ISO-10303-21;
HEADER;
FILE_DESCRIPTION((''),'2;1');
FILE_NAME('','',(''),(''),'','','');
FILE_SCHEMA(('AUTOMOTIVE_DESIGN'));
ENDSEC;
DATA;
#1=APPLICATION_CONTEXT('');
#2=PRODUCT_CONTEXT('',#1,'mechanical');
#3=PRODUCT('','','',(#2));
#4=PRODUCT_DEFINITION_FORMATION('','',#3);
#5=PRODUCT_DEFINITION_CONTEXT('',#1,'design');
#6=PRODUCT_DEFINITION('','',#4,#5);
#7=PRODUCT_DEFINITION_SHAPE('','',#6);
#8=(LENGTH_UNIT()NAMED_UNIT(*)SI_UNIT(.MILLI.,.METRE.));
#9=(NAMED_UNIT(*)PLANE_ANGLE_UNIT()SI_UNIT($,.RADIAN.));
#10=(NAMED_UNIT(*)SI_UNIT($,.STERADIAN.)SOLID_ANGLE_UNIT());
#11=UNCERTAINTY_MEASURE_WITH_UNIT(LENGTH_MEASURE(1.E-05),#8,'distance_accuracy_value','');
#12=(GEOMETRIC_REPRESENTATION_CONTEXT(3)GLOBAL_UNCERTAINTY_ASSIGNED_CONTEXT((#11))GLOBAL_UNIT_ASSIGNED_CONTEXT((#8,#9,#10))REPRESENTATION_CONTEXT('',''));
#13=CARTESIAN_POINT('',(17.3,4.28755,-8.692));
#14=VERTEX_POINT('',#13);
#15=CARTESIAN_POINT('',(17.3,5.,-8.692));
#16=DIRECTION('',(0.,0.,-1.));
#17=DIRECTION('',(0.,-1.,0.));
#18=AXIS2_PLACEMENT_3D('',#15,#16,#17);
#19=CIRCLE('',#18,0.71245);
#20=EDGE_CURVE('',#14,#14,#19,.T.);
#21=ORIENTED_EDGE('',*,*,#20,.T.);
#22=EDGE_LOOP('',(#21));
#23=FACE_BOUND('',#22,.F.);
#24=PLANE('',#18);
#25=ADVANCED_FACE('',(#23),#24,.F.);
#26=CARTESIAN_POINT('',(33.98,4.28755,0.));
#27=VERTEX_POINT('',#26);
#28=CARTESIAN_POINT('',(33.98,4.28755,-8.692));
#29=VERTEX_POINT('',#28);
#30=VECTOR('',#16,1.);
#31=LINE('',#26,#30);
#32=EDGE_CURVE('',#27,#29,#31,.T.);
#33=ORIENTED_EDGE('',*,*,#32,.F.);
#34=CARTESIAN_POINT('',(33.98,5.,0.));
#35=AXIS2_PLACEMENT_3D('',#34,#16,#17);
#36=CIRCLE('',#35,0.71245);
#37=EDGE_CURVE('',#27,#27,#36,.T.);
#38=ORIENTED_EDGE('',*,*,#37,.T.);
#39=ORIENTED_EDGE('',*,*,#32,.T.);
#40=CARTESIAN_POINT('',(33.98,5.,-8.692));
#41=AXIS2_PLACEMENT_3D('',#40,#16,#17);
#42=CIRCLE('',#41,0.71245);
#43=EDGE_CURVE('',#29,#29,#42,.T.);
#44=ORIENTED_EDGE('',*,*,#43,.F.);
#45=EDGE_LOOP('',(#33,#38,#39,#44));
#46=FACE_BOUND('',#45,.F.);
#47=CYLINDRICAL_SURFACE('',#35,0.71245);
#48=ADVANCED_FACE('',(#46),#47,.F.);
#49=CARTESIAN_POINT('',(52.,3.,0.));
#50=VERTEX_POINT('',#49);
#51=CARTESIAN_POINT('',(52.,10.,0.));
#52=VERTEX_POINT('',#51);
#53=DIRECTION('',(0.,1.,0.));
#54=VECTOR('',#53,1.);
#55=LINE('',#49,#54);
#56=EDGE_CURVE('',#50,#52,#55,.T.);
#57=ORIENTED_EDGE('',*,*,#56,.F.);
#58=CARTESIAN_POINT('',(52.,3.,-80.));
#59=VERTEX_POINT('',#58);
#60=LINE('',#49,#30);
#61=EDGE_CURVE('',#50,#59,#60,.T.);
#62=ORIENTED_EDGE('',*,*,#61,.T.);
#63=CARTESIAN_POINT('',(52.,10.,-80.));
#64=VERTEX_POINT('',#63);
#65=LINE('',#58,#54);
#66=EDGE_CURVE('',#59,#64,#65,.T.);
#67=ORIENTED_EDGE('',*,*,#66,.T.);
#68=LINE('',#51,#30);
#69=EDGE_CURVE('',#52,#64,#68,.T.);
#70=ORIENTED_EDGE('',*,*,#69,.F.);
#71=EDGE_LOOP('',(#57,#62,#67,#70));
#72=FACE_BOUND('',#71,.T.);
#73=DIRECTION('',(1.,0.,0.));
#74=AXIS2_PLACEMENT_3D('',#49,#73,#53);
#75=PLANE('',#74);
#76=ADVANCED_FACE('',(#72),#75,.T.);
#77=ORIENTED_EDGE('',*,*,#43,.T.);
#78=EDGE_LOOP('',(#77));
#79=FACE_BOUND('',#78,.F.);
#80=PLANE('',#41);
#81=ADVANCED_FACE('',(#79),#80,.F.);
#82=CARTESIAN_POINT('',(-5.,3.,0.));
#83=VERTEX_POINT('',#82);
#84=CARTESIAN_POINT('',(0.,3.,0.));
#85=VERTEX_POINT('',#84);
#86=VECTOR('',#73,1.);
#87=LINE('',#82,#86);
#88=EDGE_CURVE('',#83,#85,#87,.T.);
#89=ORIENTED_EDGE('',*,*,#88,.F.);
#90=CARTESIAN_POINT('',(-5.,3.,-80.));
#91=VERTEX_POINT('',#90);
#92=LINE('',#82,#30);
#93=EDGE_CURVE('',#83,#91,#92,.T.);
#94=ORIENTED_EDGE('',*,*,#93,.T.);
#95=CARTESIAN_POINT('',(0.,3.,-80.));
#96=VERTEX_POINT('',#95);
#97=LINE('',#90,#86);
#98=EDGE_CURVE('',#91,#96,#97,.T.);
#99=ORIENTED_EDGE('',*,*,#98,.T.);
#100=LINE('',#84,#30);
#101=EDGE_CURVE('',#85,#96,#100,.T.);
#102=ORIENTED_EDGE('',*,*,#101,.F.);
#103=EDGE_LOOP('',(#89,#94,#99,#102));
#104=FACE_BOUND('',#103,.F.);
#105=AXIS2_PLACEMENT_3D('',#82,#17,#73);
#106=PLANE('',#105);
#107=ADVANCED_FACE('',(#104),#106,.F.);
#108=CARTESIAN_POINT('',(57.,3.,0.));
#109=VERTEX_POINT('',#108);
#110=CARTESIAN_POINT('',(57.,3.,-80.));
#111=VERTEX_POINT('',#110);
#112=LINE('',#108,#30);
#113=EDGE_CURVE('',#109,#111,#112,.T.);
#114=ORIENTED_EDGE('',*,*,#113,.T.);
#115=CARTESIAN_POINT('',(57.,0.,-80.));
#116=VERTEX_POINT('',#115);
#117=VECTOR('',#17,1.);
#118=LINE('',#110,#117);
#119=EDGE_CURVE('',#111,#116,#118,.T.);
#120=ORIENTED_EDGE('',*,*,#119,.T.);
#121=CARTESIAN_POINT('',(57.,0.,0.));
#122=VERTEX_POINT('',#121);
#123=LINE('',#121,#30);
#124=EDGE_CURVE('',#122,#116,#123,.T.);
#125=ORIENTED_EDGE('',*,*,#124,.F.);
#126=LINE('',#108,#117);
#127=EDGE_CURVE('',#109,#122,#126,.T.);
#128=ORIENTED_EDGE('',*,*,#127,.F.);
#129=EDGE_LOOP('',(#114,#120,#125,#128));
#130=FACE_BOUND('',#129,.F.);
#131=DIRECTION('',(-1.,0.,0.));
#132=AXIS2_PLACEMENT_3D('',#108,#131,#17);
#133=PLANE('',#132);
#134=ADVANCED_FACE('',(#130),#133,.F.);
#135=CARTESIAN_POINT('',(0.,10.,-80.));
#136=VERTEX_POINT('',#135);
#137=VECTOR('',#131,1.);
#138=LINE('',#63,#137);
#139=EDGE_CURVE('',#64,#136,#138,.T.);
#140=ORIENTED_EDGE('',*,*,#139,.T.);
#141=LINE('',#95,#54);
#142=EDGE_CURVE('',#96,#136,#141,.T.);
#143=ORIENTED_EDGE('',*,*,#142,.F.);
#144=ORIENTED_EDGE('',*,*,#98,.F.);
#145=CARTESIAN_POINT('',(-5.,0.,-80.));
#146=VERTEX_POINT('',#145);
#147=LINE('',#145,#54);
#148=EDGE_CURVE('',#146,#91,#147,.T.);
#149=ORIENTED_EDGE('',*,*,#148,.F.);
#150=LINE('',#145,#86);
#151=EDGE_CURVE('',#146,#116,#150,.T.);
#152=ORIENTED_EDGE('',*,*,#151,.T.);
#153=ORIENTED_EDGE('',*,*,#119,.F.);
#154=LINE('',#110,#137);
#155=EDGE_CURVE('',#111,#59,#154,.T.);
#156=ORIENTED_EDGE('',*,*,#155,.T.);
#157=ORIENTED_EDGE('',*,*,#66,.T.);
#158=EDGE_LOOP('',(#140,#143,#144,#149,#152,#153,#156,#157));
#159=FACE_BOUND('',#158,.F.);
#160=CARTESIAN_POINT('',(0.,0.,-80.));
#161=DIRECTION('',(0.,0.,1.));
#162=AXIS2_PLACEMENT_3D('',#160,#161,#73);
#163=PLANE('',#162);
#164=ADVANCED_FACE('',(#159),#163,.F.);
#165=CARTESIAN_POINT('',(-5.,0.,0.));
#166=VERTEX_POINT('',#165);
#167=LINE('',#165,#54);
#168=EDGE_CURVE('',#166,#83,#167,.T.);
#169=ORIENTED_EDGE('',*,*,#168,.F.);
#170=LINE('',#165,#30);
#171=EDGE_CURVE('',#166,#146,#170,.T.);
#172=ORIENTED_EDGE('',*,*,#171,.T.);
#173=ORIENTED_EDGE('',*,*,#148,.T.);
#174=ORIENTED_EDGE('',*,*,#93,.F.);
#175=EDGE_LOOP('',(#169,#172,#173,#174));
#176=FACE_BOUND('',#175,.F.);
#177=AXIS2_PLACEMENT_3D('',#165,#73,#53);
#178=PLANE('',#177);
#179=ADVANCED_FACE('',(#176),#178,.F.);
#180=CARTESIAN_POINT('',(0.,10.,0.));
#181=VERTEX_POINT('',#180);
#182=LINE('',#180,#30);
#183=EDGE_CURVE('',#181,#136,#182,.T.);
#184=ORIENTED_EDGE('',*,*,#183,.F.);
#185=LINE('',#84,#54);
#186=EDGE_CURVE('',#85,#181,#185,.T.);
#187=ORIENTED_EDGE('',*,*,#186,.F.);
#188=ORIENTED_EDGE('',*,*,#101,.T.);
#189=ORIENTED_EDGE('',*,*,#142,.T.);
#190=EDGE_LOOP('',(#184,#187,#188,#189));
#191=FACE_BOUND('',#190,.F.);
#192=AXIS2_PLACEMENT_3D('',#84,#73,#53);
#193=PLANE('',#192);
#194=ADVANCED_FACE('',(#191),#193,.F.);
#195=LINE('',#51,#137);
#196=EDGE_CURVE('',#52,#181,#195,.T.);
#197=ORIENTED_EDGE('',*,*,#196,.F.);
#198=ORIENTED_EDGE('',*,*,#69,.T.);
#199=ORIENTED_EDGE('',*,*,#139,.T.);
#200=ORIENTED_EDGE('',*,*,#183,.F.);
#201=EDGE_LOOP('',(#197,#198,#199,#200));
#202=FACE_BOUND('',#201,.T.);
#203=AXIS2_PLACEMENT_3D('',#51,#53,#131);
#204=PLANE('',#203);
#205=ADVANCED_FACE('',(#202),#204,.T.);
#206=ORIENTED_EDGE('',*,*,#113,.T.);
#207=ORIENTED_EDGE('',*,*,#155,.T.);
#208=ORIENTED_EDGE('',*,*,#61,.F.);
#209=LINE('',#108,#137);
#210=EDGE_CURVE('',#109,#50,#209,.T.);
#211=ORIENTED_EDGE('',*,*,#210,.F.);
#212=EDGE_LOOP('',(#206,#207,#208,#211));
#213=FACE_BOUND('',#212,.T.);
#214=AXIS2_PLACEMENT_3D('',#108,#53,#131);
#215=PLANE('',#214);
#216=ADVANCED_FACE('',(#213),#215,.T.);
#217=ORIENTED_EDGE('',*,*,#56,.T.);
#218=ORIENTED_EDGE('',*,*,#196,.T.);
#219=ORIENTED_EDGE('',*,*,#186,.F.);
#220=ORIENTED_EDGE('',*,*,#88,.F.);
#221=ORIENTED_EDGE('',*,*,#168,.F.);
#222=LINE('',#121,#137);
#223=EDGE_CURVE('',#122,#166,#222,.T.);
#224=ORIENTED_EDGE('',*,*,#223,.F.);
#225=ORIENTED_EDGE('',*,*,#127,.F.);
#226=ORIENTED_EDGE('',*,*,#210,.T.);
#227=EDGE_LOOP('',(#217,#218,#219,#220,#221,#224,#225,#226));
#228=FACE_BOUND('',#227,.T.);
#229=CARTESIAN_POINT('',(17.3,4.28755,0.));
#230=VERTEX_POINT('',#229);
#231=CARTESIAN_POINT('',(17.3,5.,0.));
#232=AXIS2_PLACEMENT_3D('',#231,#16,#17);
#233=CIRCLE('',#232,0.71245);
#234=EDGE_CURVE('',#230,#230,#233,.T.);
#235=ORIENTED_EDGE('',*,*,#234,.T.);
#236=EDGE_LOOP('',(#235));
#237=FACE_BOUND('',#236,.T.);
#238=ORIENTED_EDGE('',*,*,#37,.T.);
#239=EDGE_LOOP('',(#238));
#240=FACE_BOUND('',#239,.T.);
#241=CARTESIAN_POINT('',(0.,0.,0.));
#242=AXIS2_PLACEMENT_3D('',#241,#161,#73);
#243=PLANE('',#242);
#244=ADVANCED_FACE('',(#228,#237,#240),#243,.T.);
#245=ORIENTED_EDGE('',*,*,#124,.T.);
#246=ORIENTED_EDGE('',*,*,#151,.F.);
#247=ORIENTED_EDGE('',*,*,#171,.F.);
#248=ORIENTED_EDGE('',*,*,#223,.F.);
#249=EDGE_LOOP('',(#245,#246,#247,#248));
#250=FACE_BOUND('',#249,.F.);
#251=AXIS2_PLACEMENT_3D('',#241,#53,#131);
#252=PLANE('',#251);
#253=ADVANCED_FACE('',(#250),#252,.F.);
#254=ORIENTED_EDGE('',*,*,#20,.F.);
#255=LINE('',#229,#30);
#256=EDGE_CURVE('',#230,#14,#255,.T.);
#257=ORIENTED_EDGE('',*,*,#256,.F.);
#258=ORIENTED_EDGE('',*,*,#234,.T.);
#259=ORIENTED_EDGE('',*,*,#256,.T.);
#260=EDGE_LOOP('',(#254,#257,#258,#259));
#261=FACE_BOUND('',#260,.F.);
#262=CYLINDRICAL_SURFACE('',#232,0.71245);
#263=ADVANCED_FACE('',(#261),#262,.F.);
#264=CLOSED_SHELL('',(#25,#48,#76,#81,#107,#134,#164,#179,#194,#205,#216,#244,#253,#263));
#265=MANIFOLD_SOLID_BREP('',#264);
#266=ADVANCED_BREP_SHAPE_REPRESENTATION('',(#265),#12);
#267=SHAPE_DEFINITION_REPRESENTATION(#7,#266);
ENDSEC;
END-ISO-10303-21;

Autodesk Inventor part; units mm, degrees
ref_plane "YZ Plane" through (0, 0, 0) normal (1, 0, 0) x (0, 1, 0)
ref_plane "XZ Plane" through (0, 0, 0) normal (0, 1, 0) x (-1, 0, 0)
ref_plane "XY Plane" through (0, 0, 0) normal (0, 0, 1) x (1, 0, 0)
sketch "Sketch5" plane through (0, 0, 0) normal (0, 0, 1) x (1, 0, 0)
  line L0 (0, 0) -> (52, 0)
  line L1 (52, 10) -> (0, 10)
  line L2 (0, 0) -> (-5, 0)
  line L3 (-5, 0) -> (-5, 3)
  line L4 (-5, 3) -> (0, 3)
  line L5 (0, 3) -> (0, 10)
  line L6 (52, 0) -> (57, 0)
  line L7 (57, 0) -> (50, 0)
  line L8 (57, 0) -> (57, 0)
  line L9 (50, 0) -> (57, 0)
  line L10 (57, 3) -> (52, 3)
  line L11 (52, 3) -> (52, 10)
  line L12 (57, 3) -> (57, 0)
  dimension "d12" = 52
  dimension "d31" = 3
  dimension "d32" = 5
  dimension "d33" = 5
  dimension "d38" = 3
  dimension "d39" = 10
  dimension "d41" = 5
extrude "Extrusion2" add sketch "Sketch5" against normal blind 80
sketch "Sketch6" plane through (0, 0, 0) normal (0, 0, 1) x (1, 0, 0)
  circle A0 centre (17.3, 5) radius 0.75
  line L0 (52, 10) -> (0, 10) projected
  line L1 (0, 10) -> (0, 0) projected
  line L2 (0, 10) -> (52, 10) projected
  line L3 (57, 0) -> (0, 0) projected
  circle A1 centre (33.98, 5) radius 0.75
  point P0 (50, 0)
  point P1 (55, 0)
  dimension "d16" = 1.5
  dimension "d17" = 5
  dimension "d19" = 17.3
  dimension "d27" = 16.68
  dimension "d40" = 1.5
hole "Hole1" at (33.98, 5, 0) at (17.3, 5, 0) direction (0, 0, -1) diameter 1.4249 depth 8.692 thread size "1-64 UNC" class "2B" standard "ANSI Unified Screw Threads"
properties part number "Slider_tatak"
